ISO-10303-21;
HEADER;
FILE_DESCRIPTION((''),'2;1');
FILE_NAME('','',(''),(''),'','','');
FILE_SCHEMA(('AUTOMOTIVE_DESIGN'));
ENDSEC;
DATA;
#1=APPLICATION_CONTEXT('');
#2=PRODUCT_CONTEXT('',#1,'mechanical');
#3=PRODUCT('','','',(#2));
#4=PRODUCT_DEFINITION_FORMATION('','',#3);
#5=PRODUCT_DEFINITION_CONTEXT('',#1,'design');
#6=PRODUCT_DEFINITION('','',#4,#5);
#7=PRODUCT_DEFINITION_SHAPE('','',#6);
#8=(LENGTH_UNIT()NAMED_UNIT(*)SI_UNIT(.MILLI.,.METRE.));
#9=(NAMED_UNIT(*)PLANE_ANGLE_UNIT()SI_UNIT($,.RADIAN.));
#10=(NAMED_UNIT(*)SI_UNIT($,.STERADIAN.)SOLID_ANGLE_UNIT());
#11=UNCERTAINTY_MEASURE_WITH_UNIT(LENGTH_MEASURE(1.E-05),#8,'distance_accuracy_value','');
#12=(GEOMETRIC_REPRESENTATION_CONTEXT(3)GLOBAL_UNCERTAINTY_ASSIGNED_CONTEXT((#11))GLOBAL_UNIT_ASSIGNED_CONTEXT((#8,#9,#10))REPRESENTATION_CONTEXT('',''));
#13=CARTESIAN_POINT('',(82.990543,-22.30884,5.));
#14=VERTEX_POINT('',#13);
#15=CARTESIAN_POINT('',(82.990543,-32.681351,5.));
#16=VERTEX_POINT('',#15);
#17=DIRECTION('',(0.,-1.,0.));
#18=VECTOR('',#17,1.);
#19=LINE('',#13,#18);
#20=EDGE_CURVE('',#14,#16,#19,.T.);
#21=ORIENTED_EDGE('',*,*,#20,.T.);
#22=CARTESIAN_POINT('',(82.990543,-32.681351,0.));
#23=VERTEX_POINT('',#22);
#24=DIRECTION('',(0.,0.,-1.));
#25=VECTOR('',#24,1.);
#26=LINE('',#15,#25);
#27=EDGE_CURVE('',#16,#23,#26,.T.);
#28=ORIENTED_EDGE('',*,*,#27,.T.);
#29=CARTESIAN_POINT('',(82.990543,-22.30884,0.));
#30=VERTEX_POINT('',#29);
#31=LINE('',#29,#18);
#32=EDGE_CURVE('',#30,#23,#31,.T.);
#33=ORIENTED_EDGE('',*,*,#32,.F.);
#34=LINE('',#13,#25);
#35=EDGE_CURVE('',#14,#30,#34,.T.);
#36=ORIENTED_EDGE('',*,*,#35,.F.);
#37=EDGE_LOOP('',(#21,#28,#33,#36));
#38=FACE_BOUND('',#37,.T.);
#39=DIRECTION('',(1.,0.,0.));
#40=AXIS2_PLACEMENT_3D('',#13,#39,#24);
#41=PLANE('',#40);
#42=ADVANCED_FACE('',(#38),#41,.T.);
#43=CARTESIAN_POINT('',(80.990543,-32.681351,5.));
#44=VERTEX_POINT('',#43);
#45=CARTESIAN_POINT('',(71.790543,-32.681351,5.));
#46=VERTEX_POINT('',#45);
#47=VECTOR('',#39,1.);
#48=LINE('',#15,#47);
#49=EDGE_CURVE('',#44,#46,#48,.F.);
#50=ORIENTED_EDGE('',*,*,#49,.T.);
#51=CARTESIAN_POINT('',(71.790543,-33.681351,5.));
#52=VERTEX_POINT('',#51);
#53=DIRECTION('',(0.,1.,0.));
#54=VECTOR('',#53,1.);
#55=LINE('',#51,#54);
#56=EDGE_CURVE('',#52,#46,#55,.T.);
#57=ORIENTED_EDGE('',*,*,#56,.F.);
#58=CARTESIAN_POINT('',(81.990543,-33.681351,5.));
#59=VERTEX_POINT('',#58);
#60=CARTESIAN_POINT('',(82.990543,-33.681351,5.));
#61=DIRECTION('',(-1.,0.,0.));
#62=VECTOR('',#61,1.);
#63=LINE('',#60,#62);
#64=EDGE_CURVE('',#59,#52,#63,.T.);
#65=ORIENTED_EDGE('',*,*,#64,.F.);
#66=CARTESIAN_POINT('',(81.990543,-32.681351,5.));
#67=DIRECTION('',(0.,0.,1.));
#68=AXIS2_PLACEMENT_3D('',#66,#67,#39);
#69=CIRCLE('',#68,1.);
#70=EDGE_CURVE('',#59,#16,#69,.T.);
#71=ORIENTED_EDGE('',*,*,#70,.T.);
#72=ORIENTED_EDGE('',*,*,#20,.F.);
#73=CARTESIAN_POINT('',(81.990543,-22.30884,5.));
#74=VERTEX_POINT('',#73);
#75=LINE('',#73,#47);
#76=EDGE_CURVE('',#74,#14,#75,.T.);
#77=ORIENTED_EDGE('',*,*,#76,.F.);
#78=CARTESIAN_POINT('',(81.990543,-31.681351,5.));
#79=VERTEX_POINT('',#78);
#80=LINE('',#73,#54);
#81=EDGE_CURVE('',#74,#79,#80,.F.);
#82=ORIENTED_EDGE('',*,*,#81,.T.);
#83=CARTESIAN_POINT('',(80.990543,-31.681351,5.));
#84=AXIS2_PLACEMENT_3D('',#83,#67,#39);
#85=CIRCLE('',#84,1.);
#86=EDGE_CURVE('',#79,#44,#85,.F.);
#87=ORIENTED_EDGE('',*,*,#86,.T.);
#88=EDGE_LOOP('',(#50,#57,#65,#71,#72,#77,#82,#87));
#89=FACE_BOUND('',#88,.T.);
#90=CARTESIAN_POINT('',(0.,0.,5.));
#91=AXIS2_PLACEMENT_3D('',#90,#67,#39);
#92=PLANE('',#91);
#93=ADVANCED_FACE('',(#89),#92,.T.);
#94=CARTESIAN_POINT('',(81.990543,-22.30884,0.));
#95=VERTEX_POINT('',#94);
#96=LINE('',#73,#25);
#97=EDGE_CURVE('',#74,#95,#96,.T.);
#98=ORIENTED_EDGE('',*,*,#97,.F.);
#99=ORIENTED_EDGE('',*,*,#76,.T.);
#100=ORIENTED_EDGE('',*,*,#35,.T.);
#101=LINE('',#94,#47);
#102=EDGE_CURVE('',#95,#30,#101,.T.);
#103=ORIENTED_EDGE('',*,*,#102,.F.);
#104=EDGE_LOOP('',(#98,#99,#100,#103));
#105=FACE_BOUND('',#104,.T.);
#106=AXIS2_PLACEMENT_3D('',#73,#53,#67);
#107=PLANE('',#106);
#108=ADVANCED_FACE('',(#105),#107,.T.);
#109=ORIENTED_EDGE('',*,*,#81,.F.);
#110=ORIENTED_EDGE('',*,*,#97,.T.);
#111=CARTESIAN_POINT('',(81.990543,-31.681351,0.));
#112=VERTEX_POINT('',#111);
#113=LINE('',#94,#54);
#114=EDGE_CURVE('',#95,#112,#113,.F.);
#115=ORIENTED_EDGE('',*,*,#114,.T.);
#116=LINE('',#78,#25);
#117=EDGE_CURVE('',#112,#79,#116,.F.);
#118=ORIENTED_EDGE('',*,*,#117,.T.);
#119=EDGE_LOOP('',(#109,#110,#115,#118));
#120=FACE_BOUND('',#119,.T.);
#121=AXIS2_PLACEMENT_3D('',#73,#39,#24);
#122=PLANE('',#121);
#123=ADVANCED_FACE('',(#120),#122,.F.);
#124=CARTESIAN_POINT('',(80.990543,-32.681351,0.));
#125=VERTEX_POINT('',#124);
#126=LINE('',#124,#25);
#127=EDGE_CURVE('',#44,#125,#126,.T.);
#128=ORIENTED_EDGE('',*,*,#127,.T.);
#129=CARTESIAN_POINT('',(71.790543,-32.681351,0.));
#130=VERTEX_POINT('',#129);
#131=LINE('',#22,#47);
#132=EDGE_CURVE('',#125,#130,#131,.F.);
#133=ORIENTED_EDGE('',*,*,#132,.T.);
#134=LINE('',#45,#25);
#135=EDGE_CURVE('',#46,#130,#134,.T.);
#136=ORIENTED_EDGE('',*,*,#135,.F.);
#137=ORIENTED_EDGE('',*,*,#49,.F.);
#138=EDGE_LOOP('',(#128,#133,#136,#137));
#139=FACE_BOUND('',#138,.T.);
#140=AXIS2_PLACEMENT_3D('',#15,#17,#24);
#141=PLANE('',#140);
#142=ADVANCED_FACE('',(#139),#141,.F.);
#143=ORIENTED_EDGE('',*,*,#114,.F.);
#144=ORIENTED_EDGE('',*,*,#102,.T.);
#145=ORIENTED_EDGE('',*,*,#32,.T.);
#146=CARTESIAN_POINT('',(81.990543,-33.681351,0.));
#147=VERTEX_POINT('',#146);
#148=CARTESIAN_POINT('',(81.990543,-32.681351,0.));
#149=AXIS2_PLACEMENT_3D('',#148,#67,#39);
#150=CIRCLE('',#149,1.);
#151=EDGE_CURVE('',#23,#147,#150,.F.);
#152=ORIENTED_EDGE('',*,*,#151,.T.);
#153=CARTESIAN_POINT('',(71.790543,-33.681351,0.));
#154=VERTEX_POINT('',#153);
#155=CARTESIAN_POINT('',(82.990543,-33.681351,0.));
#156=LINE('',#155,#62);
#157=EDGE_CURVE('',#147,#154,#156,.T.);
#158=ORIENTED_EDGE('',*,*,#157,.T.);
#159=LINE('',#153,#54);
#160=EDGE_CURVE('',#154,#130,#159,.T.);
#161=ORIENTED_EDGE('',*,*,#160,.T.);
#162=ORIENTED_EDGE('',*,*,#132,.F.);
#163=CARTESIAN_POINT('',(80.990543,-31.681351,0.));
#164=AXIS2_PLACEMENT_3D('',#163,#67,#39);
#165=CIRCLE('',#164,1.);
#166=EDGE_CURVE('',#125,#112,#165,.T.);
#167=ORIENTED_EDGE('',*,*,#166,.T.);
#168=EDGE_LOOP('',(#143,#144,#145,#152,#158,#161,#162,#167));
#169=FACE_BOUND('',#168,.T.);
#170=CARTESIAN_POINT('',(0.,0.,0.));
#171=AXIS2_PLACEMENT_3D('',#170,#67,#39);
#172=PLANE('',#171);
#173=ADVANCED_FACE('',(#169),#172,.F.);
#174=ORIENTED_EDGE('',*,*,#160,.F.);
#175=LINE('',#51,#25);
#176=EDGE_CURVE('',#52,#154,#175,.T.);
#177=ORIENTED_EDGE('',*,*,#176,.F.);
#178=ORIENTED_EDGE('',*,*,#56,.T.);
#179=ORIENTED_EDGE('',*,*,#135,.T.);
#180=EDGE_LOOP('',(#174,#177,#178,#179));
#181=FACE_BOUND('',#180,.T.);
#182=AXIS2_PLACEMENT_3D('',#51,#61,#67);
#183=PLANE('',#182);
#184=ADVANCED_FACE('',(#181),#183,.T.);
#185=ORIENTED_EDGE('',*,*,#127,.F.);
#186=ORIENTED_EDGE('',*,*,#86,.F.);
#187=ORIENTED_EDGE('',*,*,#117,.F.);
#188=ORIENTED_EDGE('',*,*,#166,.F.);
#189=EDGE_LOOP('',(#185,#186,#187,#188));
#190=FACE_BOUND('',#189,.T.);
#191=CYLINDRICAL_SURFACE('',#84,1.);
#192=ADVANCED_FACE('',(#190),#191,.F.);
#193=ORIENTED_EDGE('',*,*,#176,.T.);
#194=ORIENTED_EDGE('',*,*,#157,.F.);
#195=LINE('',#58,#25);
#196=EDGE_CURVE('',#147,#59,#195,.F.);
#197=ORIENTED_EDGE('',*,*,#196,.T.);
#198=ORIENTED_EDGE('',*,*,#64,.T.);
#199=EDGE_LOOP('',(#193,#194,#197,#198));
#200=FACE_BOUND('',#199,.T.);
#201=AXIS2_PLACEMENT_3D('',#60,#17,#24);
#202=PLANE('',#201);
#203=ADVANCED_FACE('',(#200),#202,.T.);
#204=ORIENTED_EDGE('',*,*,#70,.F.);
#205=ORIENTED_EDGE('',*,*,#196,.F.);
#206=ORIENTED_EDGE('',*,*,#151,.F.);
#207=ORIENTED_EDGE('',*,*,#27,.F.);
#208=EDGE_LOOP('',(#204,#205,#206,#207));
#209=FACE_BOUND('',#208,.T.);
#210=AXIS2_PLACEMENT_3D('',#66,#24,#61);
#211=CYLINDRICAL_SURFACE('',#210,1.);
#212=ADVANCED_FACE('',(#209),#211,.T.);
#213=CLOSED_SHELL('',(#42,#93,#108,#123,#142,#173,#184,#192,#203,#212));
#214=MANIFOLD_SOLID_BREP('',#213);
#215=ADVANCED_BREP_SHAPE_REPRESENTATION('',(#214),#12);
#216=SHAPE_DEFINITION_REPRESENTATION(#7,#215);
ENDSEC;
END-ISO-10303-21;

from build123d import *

# Parameters (mm, degrees)
EKSTR_ZYON_NCE2_DEPTH = 5
RADYUS1_R             = 1


with BuildPart() as part:
    # Çizim1 → Ekstrüzyon-İnce2 (new body)
    with BuildSketch(Plane.XY):
        Polygon((82.990542752, -22.308839901), (82.990542752, -33.681351263), (71.790542752, -33.681351263), (71.790542752, -32.681351263), (81.990542752, -32.681351263), (81.990542752, -22.308839901), align=None)
    extrude(amount=EKSTR_ZYON_NCE2_DEPTH)

    # Radyus1
    radyus1_edges = [part.edges().sort_by_distance(p)[0] for p in [
        (81.990542752, -32.681351263, 2.5),
        (82.990542752, -33.681351263, 2.5),
    ]]
    fillet(radyus1_edges, radius=RADYUS1_R)


solid = part.part
